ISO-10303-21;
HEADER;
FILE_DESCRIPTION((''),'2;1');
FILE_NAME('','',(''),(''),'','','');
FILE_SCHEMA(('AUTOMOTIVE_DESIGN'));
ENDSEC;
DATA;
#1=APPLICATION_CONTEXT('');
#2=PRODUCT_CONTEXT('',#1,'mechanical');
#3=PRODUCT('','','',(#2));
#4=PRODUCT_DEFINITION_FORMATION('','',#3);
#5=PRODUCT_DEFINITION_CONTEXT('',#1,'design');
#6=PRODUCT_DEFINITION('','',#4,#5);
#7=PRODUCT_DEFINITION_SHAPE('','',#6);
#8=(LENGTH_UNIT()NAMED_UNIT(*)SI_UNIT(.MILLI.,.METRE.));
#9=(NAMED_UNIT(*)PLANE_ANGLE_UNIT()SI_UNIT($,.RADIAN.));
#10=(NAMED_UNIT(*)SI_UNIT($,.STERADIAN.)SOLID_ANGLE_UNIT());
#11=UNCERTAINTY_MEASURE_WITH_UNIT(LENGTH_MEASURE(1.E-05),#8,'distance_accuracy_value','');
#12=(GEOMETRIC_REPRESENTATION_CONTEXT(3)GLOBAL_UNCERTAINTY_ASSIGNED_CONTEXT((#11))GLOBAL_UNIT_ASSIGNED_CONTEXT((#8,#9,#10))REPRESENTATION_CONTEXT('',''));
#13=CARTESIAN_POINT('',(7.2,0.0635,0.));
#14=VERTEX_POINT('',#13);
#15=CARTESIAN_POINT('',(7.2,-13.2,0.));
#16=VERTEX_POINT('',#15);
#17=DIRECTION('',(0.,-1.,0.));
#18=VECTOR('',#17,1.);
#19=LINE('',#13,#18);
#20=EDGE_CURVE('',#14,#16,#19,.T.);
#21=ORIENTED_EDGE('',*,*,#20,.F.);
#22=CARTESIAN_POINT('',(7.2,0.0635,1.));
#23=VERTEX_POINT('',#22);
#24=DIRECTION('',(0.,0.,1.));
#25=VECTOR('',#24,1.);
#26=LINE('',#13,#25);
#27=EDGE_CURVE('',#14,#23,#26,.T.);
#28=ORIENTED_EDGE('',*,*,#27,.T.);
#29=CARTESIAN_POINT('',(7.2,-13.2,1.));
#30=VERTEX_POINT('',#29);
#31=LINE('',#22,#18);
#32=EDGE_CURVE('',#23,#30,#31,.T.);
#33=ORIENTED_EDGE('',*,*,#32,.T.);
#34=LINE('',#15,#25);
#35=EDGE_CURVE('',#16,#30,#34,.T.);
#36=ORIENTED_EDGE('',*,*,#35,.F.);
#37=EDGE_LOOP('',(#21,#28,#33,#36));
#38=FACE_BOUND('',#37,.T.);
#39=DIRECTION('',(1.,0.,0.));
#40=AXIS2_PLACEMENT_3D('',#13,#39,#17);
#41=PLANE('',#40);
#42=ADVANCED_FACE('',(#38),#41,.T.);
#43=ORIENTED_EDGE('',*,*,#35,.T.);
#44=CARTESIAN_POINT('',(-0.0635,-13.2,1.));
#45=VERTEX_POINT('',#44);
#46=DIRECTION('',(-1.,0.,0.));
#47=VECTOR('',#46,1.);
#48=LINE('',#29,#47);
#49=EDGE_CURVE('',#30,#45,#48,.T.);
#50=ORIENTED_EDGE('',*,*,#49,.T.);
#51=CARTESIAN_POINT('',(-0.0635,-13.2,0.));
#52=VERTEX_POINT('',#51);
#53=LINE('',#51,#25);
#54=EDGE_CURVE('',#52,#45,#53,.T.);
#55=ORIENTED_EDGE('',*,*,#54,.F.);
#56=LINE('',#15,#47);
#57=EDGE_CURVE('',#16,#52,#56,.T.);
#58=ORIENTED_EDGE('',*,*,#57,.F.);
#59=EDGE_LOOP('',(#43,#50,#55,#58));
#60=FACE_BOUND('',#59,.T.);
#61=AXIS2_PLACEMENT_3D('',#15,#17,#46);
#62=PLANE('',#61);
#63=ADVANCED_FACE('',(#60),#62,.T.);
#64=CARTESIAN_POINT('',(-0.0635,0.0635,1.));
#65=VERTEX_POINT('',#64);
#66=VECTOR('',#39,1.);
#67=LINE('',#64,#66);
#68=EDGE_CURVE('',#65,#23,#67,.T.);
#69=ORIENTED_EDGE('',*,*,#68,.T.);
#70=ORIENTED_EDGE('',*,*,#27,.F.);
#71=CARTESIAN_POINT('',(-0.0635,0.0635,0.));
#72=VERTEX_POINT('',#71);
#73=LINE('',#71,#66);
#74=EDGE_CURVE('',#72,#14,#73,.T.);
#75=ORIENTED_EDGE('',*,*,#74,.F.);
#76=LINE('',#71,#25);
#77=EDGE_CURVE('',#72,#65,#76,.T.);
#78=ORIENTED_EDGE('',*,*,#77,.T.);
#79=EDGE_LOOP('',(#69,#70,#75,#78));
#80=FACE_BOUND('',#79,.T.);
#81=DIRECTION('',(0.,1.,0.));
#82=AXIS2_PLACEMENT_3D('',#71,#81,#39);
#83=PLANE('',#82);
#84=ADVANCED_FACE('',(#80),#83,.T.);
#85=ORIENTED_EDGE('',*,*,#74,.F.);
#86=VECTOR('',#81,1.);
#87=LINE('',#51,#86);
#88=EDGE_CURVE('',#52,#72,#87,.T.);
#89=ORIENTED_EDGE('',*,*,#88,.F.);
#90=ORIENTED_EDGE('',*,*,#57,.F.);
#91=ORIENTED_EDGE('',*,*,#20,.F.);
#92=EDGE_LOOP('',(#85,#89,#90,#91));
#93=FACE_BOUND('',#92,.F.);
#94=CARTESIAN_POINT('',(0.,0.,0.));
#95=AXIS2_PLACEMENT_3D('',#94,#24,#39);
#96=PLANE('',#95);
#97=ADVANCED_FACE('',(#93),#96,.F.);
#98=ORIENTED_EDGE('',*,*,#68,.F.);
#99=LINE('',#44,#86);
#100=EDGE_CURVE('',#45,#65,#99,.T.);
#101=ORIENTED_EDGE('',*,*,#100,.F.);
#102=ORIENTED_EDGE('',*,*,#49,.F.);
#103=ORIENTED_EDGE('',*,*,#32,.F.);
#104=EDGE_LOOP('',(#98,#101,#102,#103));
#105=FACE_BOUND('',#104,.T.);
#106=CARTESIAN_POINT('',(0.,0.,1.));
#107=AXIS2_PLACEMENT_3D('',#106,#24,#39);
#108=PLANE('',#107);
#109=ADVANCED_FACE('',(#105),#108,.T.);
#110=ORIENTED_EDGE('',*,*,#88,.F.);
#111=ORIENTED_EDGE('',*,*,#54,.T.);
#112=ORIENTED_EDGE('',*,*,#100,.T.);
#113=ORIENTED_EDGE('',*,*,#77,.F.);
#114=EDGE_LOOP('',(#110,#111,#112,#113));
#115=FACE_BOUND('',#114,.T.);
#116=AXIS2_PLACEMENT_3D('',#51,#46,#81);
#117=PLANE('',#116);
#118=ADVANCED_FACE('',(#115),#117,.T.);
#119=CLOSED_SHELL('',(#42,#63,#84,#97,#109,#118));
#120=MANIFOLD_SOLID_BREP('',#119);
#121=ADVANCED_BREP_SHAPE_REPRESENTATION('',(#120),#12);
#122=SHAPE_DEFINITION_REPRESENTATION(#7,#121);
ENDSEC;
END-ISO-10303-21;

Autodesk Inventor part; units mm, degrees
ref_plane "YZ Plane" through (0, 0, 0) normal (1, 0, 0) x (0, 1, 0)
ref_plane "XZ Plane" through (0, 0, 0) normal (0, 1, 0) x (-1, 0, 0)
ref_plane "XY Plane" through (0, 0, 0) normal (0, 0, 1) x (1, 0, 0)
sketch "SCHALTER, SCHALTER_68" plane through (0, 0, 0) normal (0, 0, 1) x (1, 0, 0)
  line L0 (-0.0635, 0.0635) -> (7.2, 0.0635)
  line L1 (7.2, 0.0635) -> (7.2, -13.2)
  line L2 (7.2, -13.2) -> (-0.0635, -13.2)
  line L3 (-0.0635, -13.2) -> (-0.0635, 0.0635)
extrude "Extrusion1" add sketch "SCHALTER, SCHALTER_68" along normal blind 1
properties part number "SCHALTER"
